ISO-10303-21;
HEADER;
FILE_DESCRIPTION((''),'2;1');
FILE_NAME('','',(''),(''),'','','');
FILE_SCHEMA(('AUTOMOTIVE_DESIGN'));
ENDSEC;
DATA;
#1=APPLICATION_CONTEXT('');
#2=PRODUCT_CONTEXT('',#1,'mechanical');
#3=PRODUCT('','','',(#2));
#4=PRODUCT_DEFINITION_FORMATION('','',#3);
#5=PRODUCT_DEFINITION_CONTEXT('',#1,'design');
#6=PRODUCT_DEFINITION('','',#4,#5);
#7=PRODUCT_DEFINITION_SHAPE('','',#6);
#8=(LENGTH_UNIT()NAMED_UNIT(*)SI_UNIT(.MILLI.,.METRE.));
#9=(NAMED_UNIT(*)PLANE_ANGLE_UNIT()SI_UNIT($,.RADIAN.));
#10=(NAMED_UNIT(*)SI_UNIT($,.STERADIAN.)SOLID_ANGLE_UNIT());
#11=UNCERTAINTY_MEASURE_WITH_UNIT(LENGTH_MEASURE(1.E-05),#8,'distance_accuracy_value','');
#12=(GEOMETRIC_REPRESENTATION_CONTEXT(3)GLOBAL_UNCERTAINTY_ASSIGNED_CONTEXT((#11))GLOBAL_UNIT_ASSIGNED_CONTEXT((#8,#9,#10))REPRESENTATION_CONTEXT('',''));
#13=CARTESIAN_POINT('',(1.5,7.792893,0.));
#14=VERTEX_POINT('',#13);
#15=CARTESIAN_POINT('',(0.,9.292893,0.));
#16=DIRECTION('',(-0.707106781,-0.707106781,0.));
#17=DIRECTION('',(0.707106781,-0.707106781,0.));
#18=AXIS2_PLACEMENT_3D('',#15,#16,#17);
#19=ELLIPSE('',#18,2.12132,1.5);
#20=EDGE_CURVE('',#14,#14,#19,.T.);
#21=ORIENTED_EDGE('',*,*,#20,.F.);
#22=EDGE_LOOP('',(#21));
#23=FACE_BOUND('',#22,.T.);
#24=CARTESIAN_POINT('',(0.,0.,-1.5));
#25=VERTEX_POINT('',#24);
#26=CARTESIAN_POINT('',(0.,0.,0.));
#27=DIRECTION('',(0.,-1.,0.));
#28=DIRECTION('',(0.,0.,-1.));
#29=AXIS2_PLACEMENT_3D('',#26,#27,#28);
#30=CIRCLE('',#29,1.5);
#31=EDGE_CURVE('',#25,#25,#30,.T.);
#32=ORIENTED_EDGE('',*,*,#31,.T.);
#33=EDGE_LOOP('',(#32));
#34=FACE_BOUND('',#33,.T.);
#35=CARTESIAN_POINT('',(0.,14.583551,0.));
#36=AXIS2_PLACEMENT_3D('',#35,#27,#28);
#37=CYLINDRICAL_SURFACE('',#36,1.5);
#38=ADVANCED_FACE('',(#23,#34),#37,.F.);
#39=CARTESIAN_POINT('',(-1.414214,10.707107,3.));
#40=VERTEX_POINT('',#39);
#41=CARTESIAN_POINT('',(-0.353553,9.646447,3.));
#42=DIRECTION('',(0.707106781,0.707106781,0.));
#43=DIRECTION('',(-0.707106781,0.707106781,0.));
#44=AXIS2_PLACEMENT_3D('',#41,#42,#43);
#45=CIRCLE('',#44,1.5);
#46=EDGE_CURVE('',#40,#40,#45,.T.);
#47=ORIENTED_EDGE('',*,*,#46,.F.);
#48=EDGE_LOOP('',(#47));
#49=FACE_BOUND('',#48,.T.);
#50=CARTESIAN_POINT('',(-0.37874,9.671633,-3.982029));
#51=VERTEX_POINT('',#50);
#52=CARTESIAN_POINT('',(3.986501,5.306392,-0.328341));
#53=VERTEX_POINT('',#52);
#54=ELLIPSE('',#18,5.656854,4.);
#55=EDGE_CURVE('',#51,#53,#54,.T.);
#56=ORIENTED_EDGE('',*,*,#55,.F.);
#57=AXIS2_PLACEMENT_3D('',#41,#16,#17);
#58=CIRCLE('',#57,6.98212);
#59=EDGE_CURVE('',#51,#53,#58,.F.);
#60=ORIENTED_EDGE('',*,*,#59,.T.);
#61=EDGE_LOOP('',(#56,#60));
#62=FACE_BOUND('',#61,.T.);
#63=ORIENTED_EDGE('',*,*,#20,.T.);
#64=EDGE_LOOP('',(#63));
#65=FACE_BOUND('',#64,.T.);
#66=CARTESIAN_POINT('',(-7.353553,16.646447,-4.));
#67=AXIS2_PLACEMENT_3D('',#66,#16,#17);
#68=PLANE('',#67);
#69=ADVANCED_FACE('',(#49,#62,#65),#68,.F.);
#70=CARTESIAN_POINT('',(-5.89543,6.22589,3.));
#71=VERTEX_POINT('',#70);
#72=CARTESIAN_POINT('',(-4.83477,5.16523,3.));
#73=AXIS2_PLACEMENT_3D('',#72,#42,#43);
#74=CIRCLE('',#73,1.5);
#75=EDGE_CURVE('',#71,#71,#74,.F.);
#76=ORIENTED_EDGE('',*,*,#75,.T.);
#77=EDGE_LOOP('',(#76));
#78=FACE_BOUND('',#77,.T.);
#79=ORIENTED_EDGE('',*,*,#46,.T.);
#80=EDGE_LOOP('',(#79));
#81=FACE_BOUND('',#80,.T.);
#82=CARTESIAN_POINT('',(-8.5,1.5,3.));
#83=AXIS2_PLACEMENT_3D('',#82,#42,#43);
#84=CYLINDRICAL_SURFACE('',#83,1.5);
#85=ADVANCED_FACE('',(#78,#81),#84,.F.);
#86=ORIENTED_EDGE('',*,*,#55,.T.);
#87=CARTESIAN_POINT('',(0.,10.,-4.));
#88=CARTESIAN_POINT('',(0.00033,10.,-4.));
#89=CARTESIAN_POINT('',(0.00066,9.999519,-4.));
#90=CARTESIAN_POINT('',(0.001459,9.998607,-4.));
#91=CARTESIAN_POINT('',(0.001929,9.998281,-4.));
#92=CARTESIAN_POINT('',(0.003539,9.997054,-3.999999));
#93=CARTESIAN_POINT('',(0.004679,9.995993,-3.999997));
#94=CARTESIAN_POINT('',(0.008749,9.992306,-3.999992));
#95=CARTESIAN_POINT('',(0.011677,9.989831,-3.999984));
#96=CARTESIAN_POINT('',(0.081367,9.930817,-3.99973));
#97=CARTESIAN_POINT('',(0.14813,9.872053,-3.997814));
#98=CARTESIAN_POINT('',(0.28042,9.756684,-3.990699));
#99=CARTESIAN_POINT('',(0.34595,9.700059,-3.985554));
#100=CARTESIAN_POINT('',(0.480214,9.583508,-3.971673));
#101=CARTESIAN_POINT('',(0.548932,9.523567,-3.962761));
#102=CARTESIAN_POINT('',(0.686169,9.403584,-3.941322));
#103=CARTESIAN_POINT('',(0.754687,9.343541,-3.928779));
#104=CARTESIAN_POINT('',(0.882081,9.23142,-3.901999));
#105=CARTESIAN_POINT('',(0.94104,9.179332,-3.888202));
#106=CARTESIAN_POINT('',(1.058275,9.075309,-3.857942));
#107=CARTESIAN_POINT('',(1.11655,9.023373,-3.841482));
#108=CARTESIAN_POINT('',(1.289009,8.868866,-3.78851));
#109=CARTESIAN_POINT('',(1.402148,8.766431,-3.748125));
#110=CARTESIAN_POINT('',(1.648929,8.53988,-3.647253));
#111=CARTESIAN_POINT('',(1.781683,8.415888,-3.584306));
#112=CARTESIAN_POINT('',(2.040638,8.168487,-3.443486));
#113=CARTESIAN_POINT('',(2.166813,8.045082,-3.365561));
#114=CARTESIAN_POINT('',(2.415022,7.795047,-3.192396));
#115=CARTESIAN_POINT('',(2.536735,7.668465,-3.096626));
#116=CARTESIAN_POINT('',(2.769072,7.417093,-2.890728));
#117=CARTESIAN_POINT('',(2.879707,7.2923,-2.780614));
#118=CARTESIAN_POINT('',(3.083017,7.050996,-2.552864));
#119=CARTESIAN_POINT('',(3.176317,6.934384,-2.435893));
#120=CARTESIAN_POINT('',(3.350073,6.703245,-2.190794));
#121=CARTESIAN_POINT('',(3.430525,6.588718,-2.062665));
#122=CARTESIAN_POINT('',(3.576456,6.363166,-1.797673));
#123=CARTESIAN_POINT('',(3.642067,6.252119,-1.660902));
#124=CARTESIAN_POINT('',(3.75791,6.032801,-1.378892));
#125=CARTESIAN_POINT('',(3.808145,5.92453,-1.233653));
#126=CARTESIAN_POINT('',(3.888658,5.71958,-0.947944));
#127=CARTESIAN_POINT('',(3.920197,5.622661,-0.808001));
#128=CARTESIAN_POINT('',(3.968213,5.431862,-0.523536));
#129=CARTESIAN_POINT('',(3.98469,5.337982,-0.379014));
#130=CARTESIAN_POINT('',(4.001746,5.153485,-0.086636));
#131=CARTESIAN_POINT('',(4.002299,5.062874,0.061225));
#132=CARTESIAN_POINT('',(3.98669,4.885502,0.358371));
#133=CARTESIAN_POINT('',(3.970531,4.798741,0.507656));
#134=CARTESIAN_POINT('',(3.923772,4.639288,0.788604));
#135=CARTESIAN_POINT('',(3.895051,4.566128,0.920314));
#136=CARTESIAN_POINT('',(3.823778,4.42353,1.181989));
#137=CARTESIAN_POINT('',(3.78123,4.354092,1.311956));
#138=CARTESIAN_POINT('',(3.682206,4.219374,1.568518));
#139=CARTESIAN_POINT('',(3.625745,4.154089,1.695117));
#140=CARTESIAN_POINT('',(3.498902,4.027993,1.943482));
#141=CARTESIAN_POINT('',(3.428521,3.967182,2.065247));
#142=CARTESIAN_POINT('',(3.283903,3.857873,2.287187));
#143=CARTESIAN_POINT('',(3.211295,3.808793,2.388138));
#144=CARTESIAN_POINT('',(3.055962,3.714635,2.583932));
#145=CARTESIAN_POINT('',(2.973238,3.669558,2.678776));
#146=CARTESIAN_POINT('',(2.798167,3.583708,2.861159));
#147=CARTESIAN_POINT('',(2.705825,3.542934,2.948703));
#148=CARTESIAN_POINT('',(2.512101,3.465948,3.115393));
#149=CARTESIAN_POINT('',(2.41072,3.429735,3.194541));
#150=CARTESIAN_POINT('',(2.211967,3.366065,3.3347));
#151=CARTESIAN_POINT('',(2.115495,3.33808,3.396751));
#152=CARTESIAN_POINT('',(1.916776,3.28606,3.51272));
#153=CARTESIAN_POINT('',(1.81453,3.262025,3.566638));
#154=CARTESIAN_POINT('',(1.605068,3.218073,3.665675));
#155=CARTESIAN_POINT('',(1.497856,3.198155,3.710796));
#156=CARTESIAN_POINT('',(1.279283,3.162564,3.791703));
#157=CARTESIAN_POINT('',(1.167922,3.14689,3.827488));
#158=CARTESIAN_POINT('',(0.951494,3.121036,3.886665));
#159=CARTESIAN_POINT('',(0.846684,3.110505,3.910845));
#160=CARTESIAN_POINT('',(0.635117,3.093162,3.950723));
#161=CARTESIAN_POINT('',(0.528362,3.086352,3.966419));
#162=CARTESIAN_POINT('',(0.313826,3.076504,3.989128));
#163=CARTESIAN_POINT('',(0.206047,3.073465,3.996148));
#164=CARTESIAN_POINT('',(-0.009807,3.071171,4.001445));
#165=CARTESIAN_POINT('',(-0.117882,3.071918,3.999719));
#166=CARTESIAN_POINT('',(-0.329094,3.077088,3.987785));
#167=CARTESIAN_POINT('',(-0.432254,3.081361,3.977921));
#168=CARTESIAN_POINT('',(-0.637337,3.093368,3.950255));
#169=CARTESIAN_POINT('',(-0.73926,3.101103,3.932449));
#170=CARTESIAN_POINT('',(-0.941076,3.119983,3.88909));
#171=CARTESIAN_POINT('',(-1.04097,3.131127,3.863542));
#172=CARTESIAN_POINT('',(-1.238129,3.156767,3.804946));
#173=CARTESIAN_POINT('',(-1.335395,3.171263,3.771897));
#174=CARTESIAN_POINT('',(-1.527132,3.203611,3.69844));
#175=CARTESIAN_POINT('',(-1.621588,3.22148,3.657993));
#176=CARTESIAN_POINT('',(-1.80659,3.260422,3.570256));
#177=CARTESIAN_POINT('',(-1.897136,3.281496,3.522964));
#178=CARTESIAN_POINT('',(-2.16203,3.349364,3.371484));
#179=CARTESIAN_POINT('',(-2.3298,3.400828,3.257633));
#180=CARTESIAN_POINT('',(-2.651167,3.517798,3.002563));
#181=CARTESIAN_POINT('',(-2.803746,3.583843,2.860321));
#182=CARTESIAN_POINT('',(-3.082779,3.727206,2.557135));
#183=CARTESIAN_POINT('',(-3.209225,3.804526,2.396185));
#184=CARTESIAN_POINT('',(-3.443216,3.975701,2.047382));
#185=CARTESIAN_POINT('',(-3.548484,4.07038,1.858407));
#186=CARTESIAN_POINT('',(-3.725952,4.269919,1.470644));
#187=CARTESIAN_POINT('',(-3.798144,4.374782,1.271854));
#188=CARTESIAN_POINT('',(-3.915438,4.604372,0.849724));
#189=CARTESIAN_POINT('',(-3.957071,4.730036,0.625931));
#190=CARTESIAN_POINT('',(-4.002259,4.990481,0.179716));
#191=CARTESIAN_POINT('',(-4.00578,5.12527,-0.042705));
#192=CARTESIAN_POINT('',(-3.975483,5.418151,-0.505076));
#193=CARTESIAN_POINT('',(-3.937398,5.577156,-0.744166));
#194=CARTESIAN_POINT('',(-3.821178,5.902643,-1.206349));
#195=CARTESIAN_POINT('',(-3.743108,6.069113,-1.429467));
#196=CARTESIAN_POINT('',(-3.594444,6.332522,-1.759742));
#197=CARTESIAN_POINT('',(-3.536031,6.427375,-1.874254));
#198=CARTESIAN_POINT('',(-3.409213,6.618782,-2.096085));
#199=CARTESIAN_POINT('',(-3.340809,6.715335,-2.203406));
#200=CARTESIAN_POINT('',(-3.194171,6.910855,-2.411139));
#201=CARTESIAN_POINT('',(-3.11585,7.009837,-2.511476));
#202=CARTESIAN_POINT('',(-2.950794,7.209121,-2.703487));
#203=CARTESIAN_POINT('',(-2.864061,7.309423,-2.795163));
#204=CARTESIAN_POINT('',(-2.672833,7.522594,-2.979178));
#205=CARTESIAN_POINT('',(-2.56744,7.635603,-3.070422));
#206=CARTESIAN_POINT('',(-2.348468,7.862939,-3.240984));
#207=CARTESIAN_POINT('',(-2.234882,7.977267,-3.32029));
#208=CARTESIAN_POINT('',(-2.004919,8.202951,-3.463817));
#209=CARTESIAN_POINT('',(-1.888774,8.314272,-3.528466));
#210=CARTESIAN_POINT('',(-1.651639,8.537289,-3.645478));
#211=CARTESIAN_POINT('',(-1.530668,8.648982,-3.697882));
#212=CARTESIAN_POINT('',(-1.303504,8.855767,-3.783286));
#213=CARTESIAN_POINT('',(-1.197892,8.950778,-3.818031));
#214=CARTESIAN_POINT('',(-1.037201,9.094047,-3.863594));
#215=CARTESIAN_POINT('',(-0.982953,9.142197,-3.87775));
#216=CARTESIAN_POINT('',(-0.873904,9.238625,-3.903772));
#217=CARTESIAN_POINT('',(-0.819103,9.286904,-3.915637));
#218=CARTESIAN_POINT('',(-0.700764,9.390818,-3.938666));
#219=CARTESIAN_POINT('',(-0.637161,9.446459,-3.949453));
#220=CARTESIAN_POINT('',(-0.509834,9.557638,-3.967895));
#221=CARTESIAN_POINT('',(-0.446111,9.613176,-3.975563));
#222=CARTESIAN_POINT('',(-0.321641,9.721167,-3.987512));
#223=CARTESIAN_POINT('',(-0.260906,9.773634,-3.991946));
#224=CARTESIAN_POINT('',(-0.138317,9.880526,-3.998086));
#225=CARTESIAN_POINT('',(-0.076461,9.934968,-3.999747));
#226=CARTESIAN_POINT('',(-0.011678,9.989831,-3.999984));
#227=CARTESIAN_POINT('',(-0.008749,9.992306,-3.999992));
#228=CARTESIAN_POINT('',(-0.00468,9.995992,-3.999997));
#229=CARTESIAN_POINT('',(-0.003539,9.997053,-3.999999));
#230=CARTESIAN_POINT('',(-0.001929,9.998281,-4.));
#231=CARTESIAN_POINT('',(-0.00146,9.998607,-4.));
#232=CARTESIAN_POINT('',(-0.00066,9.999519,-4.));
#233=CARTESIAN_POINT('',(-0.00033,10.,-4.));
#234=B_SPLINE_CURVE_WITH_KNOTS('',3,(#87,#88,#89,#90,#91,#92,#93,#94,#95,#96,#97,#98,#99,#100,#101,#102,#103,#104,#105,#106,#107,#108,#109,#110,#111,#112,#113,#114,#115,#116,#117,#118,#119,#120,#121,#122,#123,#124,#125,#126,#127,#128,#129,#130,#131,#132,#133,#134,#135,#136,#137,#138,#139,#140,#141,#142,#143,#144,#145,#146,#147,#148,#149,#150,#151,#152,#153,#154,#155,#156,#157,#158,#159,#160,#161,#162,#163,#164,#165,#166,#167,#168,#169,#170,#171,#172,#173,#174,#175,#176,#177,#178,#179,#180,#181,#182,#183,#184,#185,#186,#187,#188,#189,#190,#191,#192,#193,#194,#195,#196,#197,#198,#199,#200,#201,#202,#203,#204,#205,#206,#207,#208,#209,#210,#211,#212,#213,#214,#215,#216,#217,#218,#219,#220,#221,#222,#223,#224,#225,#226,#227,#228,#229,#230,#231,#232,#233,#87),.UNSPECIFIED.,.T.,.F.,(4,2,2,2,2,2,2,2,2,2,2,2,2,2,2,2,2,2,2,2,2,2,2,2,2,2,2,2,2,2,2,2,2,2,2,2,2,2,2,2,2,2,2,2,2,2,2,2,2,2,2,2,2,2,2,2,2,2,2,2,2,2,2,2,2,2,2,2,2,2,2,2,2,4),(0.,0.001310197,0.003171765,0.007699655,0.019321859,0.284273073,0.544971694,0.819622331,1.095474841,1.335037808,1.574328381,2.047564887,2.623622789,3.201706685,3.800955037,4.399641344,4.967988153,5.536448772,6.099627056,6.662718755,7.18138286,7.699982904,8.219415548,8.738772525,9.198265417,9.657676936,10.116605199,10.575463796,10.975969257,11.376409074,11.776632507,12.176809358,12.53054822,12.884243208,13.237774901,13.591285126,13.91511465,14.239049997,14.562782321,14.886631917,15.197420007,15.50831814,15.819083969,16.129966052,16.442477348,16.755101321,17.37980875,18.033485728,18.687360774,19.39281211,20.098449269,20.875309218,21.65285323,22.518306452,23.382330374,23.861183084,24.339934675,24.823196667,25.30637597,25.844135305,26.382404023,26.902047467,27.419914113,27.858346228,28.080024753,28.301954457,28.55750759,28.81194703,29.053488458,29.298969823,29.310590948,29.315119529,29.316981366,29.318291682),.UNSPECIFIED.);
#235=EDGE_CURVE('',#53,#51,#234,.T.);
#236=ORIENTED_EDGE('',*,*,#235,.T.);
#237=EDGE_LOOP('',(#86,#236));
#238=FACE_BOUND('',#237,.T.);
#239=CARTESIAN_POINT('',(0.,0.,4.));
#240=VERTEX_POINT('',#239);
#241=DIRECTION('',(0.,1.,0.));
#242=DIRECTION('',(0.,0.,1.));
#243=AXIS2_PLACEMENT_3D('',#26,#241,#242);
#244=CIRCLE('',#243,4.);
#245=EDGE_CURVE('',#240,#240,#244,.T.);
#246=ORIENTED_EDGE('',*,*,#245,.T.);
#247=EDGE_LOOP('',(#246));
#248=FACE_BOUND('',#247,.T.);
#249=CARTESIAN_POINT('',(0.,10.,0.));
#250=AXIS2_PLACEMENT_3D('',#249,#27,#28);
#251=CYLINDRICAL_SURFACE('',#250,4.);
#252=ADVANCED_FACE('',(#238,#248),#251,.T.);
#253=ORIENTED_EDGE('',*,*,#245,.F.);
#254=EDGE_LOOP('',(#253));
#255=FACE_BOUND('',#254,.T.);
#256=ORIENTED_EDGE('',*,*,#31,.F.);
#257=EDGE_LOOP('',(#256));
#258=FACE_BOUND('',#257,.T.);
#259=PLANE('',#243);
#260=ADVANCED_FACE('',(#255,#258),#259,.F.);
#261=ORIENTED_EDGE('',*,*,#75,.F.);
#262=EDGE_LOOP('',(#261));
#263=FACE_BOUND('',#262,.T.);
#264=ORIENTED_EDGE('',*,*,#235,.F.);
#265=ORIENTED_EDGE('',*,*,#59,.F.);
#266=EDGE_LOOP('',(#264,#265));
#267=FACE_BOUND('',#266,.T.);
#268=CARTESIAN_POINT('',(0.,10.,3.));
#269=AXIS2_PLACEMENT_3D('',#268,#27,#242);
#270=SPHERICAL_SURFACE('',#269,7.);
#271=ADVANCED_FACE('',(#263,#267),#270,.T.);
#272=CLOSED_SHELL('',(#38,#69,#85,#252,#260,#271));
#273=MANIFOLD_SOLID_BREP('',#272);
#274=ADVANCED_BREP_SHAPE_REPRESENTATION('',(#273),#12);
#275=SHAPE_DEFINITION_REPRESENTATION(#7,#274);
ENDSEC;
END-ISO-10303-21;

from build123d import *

# Parameters (mm, degrees)
SKETCH1_R               = 4
BOSS_EXTRUDE1_DEPTH     = 10
CUT_EXTRUDE1_DEPTH      = 21.928449536
CUT_EXTRUDE1_DEPTH_BACK = 21.928449536
SKETCH9_R               = 1.5
CUT_EXTRUDE5_DEPTH      = 19.276446179
SKETCH7_R               = 1.5
CUT_EXTRUDE3_DEPTH      = 20.008489752


with BuildPart() as part:
    # Sketch1 → Boss-Extrude1 (new body)
    with BuildSketch(Plane(origin=(0, 0, 0), x_dir=(1, 0, 0), z_dir=(0, 1, 0))):
        with Locations(Location((0, 0, 0), (0, 0, 270))):
            Circle(SKETCH1_R)
    extrude(amount=BOSS_EXTRUDE1_DEPTH)

    # Sketch2 → Revolve2 (revolve)
    with BuildSketch(Plane(origin=(0, 0, 0), x_dir=(0, 0, -1), z_dir=(1, 0, 0))):
        with BuildLine():
            Line((-3, 3), (-3, 17))
            ThreePointArc((-3, 17), (4, 10), (-3, 3))
        make_face()
    revolve(axis=Axis((0, 3, 3), (0, 1, 0)))

    # Sketch5 → Cut-Extrude1 (cut, two sides: drawn at the far end of the back side and taken through both)
    with BuildSketch(Plane.XY.offset(-CUT_EXTRUDE1_DEPTH_BACK)):
        Polygon((-7, 17), (7, 17), (7, 3), (6.646446609, 2.646446609), (-7.353553391, 16.646446609), align=None)
    extrude(amount=CUT_EXTRUDE1_DEPTH + CUT_EXTRUDE1_DEPTH_BACK, mode=Mode.SUBTRACT)

    # Sketch9 → Cut-Extrude5 (cut, through all)
    with BuildSketch(Plane(origin=(4.646446609, 4.646446609, 0), x_dir=(0, 0, -1), z_dir=(0.7071067811865462, 0.7071067811865489, 0))):
        with Locations(Location((-3, 7.071067812, 0), (0, 0, 90))):
            Circle(SKETCH9_R)
    extrude(amount=-CUT_EXTRUDE5_DEPTH, mode=Mode.SUBTRACT)

    # Sketch7 → Cut-Extrude3 (cut, through all)
    with BuildSketch(Plane.XZ):
        with Locations(Location((0, 0, 0), (0, 0, 270))):
            Circle(SKETCH7_R)
    extrude(amount=-CUT_EXTRUDE3_DEPTH, mode=Mode.SUBTRACT)


solid = part.part
